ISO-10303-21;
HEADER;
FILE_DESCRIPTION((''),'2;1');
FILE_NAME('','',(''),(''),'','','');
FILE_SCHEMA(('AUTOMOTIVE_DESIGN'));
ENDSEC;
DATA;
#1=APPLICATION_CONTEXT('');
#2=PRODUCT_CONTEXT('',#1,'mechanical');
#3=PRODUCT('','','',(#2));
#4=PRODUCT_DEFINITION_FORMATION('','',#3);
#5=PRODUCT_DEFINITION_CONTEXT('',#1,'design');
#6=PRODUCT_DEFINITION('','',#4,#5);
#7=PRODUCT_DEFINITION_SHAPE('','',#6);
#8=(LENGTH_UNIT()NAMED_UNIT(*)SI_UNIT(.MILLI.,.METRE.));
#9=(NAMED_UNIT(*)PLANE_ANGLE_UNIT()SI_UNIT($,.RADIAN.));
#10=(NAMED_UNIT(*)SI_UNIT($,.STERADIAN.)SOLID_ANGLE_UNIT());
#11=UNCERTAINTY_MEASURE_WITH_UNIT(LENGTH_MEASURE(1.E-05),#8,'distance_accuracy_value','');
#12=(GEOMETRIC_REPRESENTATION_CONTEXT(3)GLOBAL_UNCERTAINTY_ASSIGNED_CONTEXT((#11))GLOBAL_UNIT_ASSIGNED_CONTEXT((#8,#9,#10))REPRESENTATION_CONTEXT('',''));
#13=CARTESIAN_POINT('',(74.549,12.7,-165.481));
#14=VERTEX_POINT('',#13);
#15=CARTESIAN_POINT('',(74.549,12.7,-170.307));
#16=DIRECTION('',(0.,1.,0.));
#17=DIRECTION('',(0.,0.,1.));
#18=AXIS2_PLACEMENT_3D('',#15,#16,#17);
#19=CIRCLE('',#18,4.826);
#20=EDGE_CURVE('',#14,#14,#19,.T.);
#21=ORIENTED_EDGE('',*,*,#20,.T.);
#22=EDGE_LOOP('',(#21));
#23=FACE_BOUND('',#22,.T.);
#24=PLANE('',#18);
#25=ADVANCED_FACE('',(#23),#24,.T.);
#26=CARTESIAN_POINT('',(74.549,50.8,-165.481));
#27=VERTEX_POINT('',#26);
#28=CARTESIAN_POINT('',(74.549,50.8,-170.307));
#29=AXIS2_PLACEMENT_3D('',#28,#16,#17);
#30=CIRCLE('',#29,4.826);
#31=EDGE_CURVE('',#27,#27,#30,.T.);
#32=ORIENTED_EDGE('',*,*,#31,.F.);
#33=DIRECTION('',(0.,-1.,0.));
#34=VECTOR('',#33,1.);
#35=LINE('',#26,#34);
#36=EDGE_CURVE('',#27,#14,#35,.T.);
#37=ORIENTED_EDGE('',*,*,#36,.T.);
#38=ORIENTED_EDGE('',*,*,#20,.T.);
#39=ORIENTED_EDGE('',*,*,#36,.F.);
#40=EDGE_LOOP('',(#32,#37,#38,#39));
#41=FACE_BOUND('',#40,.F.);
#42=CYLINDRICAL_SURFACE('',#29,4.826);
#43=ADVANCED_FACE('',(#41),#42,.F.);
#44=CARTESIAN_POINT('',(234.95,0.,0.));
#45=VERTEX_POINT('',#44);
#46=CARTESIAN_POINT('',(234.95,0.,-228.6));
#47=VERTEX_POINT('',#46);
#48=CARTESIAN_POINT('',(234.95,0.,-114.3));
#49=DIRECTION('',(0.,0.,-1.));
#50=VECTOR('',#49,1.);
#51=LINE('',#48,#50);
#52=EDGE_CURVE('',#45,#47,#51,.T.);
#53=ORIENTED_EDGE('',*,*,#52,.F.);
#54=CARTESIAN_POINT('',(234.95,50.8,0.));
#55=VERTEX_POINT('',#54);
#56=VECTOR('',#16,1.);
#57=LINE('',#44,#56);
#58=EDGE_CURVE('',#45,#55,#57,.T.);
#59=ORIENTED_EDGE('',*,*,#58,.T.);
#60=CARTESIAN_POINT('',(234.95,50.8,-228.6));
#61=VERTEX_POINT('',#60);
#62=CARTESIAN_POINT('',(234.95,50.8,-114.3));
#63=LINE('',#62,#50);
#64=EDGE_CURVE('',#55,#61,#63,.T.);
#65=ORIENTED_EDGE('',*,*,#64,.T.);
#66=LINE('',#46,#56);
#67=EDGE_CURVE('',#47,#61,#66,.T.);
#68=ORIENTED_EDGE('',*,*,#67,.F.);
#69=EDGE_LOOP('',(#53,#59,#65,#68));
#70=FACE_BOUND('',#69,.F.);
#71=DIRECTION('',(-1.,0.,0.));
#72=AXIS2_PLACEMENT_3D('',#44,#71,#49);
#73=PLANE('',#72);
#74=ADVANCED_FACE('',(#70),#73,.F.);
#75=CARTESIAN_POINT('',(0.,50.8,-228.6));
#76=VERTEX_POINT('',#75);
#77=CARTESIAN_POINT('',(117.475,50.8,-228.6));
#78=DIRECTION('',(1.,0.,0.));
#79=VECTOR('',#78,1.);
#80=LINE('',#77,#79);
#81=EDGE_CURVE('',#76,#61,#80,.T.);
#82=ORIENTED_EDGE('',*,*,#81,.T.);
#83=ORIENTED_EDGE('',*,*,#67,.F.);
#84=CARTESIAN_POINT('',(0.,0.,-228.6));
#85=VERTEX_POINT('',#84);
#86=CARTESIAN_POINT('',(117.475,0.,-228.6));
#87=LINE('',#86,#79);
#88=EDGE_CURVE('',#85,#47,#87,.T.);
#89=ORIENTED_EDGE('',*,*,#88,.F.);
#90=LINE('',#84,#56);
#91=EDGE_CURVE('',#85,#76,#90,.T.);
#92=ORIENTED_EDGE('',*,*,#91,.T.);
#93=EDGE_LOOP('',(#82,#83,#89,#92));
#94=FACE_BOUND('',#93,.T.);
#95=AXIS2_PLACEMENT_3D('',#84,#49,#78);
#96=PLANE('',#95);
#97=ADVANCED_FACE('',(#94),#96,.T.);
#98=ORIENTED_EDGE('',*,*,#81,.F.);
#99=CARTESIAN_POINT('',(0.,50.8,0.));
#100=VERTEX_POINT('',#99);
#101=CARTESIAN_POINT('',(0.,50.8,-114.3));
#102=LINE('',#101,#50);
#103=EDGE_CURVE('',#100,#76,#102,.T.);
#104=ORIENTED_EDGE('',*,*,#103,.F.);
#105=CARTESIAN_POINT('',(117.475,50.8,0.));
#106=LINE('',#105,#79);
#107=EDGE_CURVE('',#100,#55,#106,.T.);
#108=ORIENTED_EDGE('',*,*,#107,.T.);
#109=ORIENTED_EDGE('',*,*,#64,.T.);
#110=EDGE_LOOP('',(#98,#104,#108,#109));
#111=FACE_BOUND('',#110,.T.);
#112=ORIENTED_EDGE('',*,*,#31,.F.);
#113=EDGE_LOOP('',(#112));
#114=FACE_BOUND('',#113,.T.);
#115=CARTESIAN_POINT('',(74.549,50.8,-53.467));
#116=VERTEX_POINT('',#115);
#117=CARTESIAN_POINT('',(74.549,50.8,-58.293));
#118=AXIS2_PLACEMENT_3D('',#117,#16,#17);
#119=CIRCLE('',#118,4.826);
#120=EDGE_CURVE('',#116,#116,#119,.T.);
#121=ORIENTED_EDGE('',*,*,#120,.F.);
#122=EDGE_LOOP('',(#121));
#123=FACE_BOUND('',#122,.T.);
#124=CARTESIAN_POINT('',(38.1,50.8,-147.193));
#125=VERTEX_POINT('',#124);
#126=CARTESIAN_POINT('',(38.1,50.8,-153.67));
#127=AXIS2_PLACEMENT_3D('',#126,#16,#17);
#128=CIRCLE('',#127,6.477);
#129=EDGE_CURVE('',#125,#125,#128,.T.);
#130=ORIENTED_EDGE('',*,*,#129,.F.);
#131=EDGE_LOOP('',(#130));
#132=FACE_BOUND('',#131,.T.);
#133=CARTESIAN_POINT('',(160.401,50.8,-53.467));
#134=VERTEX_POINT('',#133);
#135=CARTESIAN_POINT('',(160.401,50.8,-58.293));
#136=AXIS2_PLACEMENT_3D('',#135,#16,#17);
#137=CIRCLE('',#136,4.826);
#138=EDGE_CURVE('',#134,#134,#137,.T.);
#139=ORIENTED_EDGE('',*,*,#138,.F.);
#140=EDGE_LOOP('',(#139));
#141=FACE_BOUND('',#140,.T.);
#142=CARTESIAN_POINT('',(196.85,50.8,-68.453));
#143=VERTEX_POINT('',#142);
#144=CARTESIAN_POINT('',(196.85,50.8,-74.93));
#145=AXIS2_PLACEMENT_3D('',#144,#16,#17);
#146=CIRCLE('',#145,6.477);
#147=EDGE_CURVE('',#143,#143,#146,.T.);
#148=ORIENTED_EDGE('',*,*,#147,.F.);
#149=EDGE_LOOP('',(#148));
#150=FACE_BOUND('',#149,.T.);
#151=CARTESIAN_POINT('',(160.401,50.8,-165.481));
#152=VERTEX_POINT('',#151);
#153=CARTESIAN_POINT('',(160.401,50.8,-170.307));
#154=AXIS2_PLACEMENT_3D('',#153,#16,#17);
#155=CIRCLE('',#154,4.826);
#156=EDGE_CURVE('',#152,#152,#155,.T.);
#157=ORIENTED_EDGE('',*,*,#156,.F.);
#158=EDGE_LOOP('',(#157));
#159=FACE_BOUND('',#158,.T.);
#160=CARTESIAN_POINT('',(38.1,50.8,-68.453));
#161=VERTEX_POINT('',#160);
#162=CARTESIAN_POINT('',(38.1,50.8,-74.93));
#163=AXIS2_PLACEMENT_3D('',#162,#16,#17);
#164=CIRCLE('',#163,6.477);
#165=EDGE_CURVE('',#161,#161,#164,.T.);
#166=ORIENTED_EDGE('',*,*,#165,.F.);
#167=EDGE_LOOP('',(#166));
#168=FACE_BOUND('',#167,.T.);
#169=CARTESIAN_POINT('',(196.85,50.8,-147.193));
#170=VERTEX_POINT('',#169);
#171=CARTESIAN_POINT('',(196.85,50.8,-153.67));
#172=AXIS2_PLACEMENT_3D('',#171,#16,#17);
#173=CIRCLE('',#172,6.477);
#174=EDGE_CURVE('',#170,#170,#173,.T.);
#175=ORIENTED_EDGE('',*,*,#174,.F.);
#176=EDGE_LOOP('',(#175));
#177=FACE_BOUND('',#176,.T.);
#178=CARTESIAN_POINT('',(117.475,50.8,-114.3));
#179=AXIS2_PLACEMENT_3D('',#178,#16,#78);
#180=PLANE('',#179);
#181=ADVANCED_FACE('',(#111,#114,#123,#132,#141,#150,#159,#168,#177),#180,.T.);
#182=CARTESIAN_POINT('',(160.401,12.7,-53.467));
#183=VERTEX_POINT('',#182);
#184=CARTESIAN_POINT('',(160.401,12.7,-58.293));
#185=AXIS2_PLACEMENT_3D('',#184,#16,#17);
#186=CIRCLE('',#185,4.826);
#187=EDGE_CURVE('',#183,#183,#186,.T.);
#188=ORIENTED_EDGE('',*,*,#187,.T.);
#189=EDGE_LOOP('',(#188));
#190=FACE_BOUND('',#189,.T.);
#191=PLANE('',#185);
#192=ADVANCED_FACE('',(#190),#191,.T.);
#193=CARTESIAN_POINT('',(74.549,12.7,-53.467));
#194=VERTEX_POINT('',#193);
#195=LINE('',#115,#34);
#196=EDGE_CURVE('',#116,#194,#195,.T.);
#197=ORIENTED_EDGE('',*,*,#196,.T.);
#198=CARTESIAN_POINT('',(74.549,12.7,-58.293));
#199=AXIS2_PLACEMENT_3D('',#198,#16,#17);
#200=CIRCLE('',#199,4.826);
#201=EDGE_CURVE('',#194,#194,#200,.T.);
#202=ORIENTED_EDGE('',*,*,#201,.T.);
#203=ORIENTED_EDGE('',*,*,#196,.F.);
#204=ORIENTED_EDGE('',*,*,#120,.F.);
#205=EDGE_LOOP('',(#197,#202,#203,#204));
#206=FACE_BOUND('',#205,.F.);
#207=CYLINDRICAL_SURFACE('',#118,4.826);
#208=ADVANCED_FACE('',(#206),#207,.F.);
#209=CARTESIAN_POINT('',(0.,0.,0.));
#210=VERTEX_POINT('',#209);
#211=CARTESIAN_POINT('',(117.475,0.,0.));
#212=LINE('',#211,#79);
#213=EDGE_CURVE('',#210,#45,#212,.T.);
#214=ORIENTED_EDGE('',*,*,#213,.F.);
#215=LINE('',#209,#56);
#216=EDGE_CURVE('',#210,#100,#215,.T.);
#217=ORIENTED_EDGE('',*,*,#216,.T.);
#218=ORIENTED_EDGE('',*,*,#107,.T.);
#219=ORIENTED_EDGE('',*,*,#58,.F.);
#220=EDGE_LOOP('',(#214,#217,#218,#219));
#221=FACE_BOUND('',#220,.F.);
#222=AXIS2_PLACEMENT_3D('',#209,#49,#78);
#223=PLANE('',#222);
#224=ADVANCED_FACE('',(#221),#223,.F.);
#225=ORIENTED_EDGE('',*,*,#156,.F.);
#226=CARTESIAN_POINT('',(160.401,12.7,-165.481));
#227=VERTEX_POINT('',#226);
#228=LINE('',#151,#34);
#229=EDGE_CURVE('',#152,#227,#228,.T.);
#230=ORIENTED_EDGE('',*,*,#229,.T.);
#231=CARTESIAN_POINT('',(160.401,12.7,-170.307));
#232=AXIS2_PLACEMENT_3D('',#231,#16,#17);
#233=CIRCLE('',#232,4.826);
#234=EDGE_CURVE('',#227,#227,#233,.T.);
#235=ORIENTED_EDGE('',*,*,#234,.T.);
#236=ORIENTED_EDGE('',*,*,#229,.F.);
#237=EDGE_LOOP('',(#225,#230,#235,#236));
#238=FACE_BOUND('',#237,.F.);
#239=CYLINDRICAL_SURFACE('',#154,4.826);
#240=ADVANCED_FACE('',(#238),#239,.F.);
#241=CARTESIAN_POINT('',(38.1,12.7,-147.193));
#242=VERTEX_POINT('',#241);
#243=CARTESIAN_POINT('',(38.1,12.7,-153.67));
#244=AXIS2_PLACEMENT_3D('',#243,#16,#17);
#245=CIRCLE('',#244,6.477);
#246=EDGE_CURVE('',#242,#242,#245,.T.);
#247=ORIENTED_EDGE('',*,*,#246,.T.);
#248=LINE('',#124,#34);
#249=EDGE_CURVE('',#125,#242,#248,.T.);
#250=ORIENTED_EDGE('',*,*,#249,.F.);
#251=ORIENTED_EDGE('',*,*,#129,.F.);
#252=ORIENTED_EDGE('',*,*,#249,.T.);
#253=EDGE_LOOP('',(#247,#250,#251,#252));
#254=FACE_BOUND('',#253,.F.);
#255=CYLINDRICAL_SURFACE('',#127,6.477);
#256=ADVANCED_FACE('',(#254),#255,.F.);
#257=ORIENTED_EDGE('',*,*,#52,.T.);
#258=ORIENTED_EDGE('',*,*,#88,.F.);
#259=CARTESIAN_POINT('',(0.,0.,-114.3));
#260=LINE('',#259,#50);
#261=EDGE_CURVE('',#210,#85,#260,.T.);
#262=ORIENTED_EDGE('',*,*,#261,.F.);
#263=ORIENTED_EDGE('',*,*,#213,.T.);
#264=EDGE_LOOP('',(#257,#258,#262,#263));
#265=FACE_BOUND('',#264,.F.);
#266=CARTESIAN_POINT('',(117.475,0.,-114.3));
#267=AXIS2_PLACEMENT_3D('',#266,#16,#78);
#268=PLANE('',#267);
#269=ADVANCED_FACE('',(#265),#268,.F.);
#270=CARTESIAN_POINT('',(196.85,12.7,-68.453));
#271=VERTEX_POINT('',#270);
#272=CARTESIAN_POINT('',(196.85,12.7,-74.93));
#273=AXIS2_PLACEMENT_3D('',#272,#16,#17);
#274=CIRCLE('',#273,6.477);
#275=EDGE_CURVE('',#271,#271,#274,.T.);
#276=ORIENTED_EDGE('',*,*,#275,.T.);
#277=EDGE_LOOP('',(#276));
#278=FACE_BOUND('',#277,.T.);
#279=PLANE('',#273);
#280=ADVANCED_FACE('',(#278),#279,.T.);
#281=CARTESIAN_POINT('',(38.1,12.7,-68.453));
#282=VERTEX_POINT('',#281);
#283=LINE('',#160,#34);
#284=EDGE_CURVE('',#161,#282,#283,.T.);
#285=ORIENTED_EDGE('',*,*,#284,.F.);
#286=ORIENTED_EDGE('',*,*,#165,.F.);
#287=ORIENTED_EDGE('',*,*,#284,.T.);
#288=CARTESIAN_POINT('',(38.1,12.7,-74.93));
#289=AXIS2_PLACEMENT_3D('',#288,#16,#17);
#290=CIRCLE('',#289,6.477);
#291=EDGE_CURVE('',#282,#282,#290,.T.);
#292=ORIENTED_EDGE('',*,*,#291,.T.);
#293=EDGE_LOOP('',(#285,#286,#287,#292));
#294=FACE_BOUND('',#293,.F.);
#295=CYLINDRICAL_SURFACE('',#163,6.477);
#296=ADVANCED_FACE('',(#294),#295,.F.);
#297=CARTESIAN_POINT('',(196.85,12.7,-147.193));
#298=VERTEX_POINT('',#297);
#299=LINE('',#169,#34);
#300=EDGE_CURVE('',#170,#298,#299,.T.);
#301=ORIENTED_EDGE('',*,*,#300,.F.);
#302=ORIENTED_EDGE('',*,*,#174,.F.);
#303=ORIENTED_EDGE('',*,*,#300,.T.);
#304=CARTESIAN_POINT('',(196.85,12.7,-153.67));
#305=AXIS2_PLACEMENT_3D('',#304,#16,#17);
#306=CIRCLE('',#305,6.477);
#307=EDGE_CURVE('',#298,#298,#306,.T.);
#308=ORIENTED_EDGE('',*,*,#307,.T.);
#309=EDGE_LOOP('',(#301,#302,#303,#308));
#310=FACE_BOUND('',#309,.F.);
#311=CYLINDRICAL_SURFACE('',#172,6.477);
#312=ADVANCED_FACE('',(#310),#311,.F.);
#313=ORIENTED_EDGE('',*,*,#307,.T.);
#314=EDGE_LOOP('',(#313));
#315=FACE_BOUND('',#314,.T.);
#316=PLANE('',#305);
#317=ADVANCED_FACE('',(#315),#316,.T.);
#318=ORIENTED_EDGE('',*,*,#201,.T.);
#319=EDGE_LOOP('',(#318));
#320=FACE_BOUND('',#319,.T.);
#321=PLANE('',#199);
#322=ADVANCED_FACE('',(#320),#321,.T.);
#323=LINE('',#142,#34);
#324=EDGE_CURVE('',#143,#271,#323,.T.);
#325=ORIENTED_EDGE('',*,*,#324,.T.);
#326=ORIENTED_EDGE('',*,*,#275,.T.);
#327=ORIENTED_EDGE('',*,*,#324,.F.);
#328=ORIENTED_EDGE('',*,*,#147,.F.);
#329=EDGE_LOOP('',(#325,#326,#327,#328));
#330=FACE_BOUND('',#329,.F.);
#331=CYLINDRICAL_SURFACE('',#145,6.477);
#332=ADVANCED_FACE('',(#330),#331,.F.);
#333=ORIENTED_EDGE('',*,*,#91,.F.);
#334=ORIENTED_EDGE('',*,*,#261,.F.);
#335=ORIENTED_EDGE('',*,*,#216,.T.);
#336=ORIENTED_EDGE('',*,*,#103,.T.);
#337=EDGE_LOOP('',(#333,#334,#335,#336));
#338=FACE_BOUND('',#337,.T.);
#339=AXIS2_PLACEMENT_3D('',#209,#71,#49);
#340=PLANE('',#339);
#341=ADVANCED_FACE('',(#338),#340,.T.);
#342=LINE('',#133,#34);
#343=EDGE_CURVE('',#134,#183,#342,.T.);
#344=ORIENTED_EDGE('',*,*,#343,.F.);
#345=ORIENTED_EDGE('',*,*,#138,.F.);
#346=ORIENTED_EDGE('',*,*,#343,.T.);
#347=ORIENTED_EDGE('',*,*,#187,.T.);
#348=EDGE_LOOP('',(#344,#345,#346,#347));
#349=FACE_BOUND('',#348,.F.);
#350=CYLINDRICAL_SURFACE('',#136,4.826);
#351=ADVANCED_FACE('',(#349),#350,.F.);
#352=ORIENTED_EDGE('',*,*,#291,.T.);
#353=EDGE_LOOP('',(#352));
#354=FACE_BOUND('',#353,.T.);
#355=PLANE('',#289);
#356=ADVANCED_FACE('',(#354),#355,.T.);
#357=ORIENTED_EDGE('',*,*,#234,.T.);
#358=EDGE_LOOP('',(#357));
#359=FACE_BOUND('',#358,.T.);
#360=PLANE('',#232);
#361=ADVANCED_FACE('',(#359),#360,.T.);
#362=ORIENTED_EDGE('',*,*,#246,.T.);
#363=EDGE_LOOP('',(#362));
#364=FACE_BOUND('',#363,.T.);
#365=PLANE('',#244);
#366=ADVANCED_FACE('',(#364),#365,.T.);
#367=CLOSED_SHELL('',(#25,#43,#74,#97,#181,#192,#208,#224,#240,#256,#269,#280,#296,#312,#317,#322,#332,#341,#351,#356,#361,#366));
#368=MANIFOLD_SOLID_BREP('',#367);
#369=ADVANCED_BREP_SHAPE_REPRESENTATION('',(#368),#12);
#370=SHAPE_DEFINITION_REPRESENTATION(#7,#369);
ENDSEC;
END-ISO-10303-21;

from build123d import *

# Parameters (mm, degrees)
SKETCH1_W           = 234.95
SKETCH1_H           = 228.6
BOSS_EXTRUDE1_DEPTH = 50.8
SKETCH2_R           = 4.826
CUT_EXTRUDE1_DEPTH  = 38.1
SKETCH3_R           = 6.477
CUT_EXTRUDE2_DEPTH  = 38.1


with BuildPart() as part:
    # Sketch1 → Boss-Extrude1 (new body)
    with BuildSketch(Plane(origin=(0, 0, 0), x_dir=(1, 0, 0), z_dir=(0, 1, 0))):
        with Locations((117.475, 114.3)):
            Rectangle(SKETCH1_W, SKETCH1_H)
    extrude(amount=BOSS_EXTRUDE1_DEPTH)

    # Sketch2 → Cut-Extrude1 (cut)
    with BuildSketch(Plane(origin=(0, 50.8, 0), x_dir=(1, 0, 0), z_dir=(0, 1, 0))):
        with Locations(Location((74.549, 170.307, 0), (0, 0, 270))):
            Circle(SKETCH2_R)
        with Locations(Location((160.401, 170.307, 0), (0, 0, 270))):
            Circle(SKETCH2_R)
        with Locations(Location((160.401, 58.293, 0), (0, 0, 270))):
            Circle(SKETCH2_R)
        with Locations(Location((74.549, 58.293, 0), (0, 0, 270))):
            Circle(SKETCH2_R)
    extrude(amount=-CUT_EXTRUDE1_DEPTH, mode=Mode.SUBTRACT)

    # Sketch3 → Cut-Extrude2 (cut)
    with BuildSketch(Plane(origin=(0, 50.8, 0), x_dir=(1, 0, 0), z_dir=(0, 1, 0))):
        with Locations(Location((196.85, 153.67, 0), (0, 0, 270))):
            Circle(SKETCH3_R)
        with Locations(Location((196.85, 74.93, 0), (0, 0, 270))):
            Circle(SKETCH3_R)
        with Locations(Location((38.1, 74.93, 0), (0, 0, 270))):
            Circle(SKETCH3_R)
        with Locations(Location((38.1, 153.67, 0), (0, 0, 270))):
            Circle(SKETCH3_R)
    extrude(amount=-CUT_EXTRUDE2_DEPTH, mode=Mode.SUBTRACT)


solid = part.part
